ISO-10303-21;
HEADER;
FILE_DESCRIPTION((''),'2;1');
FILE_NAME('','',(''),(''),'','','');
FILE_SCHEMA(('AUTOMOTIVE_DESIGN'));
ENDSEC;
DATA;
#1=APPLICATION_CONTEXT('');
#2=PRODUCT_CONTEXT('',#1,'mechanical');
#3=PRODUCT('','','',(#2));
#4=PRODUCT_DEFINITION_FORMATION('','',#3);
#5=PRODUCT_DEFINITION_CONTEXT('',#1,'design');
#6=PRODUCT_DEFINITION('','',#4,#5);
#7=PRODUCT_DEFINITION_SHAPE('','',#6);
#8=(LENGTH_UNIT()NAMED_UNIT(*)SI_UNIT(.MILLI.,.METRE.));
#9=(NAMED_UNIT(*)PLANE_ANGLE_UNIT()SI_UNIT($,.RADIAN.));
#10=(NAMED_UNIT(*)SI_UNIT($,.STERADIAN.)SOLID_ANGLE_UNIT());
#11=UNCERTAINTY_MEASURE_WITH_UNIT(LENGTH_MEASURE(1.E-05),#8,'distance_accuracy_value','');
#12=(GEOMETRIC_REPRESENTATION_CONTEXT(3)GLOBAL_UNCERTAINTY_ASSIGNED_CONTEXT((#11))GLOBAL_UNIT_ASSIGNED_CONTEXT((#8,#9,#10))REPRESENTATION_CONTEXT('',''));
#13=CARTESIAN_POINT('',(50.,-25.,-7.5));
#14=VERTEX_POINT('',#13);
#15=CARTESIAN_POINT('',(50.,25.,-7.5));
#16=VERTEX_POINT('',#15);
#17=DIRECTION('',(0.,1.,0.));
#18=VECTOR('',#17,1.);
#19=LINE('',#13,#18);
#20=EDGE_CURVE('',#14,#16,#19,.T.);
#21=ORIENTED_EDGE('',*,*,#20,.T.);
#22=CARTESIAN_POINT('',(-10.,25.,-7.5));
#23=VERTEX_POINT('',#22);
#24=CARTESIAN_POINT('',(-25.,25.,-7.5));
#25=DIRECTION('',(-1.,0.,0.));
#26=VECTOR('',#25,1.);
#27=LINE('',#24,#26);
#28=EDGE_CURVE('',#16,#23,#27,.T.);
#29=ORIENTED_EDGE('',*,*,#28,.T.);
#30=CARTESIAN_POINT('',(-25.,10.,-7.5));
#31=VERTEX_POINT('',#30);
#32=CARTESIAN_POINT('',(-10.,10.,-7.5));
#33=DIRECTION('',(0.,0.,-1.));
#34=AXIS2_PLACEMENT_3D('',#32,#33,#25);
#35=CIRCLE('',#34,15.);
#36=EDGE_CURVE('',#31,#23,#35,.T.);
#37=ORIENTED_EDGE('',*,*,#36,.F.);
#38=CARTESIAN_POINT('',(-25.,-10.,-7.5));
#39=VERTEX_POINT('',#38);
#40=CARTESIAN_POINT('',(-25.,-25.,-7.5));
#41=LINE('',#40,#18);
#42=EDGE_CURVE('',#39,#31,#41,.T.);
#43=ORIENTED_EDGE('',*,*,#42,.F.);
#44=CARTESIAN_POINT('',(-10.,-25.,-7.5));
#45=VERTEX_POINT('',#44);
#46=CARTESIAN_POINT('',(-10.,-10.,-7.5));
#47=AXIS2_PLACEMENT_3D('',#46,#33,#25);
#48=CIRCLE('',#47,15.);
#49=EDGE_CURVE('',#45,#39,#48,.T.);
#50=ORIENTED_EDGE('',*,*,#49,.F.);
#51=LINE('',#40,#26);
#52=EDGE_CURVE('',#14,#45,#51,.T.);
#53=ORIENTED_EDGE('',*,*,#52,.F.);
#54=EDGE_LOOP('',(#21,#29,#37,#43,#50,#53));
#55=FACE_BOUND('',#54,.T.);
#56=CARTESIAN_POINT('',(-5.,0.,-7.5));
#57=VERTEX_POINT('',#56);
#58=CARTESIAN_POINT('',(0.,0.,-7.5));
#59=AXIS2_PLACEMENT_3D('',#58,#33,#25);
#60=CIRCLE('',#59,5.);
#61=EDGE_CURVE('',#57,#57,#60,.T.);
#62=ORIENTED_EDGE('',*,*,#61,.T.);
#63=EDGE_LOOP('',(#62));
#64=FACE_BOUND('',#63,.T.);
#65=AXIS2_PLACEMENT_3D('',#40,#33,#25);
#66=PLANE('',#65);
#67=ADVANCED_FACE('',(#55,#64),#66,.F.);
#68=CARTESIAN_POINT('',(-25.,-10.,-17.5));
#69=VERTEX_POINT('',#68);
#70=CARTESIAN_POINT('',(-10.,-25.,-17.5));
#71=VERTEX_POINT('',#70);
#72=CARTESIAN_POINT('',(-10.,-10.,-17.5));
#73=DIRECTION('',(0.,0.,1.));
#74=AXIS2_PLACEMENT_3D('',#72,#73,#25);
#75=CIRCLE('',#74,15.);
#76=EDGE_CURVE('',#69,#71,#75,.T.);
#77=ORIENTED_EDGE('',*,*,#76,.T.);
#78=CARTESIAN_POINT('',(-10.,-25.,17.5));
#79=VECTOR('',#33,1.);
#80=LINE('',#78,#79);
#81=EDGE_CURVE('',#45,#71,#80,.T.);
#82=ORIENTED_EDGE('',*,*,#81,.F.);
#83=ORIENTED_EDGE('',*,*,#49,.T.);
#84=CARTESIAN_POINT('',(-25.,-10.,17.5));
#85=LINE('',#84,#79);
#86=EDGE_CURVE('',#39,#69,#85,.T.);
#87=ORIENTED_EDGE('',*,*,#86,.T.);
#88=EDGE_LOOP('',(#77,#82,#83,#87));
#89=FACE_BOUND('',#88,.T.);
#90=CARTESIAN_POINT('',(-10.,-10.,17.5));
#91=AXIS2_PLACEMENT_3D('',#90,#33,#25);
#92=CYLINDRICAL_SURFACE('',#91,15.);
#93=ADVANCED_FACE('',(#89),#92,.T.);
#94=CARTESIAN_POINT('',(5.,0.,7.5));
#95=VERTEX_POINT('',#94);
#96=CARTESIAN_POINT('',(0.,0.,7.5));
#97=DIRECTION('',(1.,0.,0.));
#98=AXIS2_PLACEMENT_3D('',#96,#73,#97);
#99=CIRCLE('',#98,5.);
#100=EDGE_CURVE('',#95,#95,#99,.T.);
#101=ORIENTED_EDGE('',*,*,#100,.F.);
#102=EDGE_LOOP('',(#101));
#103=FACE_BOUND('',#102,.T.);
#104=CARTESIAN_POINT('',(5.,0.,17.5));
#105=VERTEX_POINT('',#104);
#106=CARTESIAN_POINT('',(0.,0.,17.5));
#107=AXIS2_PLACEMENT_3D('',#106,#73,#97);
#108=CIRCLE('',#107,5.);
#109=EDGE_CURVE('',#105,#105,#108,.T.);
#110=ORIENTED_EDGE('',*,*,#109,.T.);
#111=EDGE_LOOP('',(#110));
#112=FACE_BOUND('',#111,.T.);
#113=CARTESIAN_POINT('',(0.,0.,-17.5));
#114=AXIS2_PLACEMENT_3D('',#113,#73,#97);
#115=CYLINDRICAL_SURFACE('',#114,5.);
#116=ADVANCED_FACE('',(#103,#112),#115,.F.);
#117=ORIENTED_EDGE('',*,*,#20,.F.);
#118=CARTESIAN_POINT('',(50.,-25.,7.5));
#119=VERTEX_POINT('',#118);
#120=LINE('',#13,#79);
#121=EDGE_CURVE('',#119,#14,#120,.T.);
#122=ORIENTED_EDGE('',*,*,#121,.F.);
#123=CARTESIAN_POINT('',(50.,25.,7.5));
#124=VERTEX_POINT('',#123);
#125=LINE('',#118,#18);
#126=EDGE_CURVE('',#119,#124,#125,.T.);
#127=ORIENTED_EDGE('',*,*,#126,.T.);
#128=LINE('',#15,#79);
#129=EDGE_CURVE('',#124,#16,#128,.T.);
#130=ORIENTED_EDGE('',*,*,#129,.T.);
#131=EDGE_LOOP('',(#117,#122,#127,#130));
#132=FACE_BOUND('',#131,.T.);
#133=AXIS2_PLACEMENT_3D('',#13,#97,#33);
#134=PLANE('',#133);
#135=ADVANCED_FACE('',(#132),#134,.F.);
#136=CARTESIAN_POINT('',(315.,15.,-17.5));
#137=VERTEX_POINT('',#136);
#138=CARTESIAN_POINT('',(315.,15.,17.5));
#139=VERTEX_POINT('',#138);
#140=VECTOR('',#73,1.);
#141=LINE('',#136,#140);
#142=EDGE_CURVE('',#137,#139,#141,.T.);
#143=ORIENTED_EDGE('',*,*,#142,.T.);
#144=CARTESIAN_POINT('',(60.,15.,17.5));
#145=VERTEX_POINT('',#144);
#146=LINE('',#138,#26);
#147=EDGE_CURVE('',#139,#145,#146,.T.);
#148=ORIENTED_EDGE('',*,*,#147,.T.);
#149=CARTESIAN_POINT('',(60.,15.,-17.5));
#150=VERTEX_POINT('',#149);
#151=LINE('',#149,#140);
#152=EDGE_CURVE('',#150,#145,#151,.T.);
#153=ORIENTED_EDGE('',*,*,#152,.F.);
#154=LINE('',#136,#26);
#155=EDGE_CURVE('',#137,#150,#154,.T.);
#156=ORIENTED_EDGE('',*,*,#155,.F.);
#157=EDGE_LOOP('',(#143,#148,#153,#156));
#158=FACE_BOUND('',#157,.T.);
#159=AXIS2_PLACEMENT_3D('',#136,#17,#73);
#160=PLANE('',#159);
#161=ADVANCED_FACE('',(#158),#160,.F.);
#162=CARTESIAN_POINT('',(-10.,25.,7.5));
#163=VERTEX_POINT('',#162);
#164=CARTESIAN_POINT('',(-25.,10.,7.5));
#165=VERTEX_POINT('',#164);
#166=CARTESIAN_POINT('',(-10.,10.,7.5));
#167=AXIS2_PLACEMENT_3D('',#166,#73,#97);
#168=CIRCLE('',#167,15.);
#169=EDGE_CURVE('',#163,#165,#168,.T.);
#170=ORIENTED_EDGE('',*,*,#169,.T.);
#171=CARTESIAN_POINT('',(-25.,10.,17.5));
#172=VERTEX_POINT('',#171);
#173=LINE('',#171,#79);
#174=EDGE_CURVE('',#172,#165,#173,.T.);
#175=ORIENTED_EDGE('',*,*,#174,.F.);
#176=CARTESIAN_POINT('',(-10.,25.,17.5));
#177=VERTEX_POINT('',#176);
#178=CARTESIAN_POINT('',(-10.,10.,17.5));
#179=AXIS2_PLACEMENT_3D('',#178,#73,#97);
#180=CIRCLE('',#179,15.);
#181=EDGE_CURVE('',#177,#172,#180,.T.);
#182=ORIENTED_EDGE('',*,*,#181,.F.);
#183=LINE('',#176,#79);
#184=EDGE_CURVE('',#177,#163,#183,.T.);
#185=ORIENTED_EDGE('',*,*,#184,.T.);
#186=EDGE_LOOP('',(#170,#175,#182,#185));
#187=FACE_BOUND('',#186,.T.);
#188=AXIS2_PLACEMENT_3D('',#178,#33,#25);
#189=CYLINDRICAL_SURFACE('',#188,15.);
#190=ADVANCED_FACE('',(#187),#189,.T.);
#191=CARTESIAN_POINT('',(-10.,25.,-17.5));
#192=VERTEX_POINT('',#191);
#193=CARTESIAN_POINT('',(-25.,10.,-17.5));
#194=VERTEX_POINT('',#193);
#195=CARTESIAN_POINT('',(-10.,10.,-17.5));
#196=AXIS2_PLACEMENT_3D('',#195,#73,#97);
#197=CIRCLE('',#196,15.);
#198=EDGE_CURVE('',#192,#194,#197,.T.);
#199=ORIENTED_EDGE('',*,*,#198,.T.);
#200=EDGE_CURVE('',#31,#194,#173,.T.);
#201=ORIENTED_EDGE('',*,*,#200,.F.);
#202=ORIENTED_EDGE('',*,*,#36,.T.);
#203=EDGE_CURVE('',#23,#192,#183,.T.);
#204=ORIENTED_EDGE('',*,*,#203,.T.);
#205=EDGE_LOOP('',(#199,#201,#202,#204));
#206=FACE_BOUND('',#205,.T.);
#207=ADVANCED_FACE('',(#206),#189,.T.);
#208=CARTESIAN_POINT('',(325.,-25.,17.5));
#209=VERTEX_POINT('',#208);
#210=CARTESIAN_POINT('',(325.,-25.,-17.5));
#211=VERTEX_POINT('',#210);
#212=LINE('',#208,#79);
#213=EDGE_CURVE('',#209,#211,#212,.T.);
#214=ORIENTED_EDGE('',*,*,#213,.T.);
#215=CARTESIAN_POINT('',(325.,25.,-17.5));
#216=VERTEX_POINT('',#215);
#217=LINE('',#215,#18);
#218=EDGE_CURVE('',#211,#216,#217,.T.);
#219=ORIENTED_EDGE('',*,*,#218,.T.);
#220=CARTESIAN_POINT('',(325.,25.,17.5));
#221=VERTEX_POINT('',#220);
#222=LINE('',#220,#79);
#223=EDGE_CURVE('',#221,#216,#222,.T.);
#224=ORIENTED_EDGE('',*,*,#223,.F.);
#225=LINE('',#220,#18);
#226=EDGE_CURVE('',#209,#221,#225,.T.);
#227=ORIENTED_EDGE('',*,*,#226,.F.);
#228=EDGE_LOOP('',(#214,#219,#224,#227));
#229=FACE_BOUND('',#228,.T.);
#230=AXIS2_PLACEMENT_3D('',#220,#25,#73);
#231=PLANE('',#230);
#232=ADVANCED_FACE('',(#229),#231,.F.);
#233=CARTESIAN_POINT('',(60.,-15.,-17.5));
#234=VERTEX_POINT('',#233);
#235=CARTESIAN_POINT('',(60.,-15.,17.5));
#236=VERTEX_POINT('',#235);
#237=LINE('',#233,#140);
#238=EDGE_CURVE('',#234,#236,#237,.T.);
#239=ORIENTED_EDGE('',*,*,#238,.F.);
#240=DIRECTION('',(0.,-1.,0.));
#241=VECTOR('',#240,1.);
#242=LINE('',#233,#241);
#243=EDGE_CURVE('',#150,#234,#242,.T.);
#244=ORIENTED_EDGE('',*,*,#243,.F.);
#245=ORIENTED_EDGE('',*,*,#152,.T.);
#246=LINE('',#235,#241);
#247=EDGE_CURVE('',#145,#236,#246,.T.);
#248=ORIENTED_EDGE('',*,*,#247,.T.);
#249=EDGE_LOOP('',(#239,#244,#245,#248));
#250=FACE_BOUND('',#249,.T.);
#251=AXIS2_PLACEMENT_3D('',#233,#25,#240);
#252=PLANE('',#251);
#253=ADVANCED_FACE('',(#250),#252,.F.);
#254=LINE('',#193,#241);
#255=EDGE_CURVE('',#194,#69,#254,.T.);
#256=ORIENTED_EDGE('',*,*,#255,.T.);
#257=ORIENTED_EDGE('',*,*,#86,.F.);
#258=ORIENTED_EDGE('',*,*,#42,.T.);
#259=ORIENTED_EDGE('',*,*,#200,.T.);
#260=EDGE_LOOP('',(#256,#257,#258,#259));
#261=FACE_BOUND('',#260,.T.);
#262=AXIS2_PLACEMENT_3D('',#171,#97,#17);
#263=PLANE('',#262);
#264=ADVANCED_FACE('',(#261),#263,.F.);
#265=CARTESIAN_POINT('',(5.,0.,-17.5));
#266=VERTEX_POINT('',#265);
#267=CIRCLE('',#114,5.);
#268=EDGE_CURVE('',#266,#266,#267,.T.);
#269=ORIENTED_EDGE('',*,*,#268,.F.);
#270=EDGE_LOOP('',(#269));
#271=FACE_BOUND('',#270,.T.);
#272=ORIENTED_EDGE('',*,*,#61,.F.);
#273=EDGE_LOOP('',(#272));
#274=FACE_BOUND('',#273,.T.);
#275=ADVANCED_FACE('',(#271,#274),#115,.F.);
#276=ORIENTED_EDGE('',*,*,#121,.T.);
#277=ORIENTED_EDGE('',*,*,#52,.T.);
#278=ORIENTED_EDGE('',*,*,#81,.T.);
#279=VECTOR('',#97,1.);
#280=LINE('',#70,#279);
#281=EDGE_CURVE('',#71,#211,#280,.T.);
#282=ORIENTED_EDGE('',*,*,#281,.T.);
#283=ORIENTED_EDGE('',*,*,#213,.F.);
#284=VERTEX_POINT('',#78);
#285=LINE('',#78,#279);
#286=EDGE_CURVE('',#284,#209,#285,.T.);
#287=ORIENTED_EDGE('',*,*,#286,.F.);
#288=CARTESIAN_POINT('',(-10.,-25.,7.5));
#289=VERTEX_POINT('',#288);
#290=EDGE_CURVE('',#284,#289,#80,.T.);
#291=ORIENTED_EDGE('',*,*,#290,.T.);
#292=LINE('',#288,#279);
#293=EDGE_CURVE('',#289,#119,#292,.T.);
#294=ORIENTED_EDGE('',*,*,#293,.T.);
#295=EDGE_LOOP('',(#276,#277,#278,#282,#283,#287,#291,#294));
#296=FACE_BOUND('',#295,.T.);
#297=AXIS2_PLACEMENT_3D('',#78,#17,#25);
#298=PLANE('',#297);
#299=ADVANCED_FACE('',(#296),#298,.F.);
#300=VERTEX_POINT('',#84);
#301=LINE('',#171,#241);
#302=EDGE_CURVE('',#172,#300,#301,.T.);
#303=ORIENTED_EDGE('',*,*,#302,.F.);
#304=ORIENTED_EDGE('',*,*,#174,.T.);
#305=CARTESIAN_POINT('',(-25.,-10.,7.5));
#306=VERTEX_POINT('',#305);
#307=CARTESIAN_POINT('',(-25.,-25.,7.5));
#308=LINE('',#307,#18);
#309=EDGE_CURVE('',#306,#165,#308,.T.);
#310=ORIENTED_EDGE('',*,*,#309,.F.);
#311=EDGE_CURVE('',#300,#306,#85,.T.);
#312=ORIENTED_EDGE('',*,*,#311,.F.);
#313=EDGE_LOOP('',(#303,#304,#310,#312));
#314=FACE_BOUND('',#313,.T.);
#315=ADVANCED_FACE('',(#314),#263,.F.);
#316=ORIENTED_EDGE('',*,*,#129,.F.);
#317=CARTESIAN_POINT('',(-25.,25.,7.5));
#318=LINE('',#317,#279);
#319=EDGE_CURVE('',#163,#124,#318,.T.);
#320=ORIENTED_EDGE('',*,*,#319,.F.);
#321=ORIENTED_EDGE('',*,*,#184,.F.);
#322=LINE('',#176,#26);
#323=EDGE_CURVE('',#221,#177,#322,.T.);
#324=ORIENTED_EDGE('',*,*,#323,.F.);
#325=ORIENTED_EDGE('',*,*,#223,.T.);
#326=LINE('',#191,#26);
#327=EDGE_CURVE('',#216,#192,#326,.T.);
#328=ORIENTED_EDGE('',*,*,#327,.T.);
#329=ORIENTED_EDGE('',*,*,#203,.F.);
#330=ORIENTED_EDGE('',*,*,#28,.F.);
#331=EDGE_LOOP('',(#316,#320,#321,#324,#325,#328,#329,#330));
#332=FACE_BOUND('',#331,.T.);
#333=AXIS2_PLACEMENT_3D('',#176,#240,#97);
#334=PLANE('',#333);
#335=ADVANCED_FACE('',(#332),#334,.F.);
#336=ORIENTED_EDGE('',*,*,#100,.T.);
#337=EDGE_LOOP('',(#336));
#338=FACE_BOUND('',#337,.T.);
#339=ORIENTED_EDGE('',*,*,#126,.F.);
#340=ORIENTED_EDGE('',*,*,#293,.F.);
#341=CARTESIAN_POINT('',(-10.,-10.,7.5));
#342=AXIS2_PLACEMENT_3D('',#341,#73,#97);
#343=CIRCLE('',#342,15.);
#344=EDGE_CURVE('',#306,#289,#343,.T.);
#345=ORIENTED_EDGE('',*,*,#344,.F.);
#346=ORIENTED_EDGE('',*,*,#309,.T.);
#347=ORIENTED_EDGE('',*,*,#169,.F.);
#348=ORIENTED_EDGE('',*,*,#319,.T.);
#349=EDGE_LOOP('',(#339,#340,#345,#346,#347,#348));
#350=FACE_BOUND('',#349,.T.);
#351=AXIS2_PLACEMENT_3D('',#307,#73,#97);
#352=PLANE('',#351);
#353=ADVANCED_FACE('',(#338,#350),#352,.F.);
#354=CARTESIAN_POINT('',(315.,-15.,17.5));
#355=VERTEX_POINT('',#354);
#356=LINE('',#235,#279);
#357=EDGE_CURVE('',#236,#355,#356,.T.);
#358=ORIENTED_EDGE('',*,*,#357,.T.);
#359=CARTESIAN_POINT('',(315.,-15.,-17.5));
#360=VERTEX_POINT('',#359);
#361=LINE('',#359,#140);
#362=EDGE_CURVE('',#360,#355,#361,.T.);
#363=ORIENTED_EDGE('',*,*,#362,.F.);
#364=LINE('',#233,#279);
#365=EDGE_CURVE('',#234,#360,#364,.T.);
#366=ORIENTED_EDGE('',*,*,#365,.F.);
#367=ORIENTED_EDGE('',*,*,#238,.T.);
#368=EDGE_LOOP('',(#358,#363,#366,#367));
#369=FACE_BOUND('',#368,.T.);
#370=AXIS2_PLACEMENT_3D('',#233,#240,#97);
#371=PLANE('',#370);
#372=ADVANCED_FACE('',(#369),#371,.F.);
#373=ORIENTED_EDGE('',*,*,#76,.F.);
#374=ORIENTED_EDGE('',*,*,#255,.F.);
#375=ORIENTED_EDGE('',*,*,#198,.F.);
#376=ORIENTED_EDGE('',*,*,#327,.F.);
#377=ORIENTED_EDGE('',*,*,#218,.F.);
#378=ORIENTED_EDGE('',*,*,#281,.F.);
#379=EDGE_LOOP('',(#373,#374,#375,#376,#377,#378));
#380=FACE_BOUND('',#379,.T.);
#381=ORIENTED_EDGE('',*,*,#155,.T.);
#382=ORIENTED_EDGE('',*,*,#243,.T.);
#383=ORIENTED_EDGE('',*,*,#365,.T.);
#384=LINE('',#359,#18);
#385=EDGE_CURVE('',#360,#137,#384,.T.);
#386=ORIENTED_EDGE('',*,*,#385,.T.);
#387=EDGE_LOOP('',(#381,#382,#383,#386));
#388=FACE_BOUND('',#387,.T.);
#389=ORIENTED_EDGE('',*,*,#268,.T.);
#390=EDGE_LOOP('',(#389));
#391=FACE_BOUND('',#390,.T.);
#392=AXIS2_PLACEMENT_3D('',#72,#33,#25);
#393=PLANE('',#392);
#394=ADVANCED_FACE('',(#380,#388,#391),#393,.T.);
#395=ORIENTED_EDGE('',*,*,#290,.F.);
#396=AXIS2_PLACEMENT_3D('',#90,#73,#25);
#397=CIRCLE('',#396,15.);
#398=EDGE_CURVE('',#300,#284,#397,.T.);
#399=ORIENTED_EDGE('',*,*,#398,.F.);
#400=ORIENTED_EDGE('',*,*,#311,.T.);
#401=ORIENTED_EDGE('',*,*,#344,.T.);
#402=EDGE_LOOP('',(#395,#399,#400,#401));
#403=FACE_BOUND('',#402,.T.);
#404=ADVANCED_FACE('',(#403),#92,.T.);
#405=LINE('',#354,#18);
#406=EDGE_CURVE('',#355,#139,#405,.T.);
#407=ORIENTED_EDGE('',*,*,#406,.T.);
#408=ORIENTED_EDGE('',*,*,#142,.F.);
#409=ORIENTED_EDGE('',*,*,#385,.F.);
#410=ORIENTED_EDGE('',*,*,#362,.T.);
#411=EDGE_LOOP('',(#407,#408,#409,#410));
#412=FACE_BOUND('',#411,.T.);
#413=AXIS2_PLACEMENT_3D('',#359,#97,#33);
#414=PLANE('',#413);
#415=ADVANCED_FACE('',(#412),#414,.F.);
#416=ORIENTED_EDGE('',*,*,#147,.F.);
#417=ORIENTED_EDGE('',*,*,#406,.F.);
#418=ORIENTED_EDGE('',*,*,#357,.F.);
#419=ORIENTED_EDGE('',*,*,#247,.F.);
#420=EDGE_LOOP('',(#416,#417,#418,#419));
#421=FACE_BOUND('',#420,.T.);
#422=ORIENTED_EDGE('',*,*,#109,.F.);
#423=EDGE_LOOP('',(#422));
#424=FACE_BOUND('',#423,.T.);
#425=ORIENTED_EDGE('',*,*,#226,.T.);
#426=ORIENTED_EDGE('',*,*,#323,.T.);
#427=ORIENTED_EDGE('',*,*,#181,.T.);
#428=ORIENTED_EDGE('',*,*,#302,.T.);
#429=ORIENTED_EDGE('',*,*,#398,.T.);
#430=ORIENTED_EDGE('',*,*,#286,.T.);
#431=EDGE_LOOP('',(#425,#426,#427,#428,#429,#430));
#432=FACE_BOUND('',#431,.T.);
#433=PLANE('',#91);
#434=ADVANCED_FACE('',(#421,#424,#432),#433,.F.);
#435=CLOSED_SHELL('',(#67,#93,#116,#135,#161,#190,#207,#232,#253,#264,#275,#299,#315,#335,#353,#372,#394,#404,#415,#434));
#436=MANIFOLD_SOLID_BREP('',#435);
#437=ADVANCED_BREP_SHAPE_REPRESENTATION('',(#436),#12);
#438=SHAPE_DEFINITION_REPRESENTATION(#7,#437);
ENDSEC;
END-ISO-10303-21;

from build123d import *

# Parameters (mm, degrees)
EXTRUDE1_DEPTH          = 17.5
SKETCH2_W               = 75
SKETCH2_H               = 15
CUT_EXTRUDE1_DEPTH      = 330.289006801
CUT_EXTRUDE2_DEPTH      = 327.429548295
CUT_EXTRUDE2_DEPTH_BACK = 327.429548295
SKETCH3_R               = 5
CUT_EXTRUDE3_DEPTH      = 327.429548295
CUT_EXTRUDE3_DEPTH_BACK = 327.429548295
SKETCH4_W               = 255
SKETCH4_H               = 30


with BuildPart() as part:
    # Sketch1 → Extrude1 (new, symmetric)
    with BuildSketch(Plane.XY):
        with BuildLine():
            Line((-10, 25), (325, 25))
            Line((325, 25), (325, -25))
            Line((325, -25), (-10, -25))
            ThreePointArc((-10, -25), (-20.606601718, -20.606601718), (-25, -10))
            Line((-25, -10), (-25, 10))
            ThreePointArc((-25, 10), (-20.606601718, 20.606601718), (-10, 25))
        make_face()
    extrude(amount=EXTRUDE1_DEPTH, both=True)

    # Sketch2 → Cut-Extrude1 (cut, through all)
    with BuildSketch(Plane(origin=(0, 25, 0), x_dir=(-1, 0, 0), z_dir=(0, 1, 0))):
        with Locations((-12.5, 0)):
            Rectangle(SKETCH2_W, SKETCH2_H)
    extrude(amount=-CUT_EXTRUDE1_DEPTH, mode=Mode.SUBTRACT)

    # Sketch3 → Cut-Extrude2 (cut, two sides: drawn at the far end of the back side and taken through both)
    with BuildSketch(Plane.XY.offset(-CUT_EXTRUDE2_DEPTH_BACK)):
        Circle(SKETCH3_R)
    extrude(amount=CUT_EXTRUDE2_DEPTH + CUT_EXTRUDE2_DEPTH_BACK, mode=Mode.SUBTRACT)

    # Sketch4 → Cut-Extrude3 (cut, two sides: drawn at the far end of the back side and taken through both)
    with BuildSketch(Plane.XY.offset(-CUT_EXTRUDE3_DEPTH_BACK)):
        with Locations((187.5, 0)):
            Rectangle(SKETCH4_W, SKETCH4_H)
    extrude(amount=CUT_EXTRUDE3_DEPTH + CUT_EXTRUDE3_DEPTH_BACK, mode=Mode.SUBTRACT)


solid = part.part
